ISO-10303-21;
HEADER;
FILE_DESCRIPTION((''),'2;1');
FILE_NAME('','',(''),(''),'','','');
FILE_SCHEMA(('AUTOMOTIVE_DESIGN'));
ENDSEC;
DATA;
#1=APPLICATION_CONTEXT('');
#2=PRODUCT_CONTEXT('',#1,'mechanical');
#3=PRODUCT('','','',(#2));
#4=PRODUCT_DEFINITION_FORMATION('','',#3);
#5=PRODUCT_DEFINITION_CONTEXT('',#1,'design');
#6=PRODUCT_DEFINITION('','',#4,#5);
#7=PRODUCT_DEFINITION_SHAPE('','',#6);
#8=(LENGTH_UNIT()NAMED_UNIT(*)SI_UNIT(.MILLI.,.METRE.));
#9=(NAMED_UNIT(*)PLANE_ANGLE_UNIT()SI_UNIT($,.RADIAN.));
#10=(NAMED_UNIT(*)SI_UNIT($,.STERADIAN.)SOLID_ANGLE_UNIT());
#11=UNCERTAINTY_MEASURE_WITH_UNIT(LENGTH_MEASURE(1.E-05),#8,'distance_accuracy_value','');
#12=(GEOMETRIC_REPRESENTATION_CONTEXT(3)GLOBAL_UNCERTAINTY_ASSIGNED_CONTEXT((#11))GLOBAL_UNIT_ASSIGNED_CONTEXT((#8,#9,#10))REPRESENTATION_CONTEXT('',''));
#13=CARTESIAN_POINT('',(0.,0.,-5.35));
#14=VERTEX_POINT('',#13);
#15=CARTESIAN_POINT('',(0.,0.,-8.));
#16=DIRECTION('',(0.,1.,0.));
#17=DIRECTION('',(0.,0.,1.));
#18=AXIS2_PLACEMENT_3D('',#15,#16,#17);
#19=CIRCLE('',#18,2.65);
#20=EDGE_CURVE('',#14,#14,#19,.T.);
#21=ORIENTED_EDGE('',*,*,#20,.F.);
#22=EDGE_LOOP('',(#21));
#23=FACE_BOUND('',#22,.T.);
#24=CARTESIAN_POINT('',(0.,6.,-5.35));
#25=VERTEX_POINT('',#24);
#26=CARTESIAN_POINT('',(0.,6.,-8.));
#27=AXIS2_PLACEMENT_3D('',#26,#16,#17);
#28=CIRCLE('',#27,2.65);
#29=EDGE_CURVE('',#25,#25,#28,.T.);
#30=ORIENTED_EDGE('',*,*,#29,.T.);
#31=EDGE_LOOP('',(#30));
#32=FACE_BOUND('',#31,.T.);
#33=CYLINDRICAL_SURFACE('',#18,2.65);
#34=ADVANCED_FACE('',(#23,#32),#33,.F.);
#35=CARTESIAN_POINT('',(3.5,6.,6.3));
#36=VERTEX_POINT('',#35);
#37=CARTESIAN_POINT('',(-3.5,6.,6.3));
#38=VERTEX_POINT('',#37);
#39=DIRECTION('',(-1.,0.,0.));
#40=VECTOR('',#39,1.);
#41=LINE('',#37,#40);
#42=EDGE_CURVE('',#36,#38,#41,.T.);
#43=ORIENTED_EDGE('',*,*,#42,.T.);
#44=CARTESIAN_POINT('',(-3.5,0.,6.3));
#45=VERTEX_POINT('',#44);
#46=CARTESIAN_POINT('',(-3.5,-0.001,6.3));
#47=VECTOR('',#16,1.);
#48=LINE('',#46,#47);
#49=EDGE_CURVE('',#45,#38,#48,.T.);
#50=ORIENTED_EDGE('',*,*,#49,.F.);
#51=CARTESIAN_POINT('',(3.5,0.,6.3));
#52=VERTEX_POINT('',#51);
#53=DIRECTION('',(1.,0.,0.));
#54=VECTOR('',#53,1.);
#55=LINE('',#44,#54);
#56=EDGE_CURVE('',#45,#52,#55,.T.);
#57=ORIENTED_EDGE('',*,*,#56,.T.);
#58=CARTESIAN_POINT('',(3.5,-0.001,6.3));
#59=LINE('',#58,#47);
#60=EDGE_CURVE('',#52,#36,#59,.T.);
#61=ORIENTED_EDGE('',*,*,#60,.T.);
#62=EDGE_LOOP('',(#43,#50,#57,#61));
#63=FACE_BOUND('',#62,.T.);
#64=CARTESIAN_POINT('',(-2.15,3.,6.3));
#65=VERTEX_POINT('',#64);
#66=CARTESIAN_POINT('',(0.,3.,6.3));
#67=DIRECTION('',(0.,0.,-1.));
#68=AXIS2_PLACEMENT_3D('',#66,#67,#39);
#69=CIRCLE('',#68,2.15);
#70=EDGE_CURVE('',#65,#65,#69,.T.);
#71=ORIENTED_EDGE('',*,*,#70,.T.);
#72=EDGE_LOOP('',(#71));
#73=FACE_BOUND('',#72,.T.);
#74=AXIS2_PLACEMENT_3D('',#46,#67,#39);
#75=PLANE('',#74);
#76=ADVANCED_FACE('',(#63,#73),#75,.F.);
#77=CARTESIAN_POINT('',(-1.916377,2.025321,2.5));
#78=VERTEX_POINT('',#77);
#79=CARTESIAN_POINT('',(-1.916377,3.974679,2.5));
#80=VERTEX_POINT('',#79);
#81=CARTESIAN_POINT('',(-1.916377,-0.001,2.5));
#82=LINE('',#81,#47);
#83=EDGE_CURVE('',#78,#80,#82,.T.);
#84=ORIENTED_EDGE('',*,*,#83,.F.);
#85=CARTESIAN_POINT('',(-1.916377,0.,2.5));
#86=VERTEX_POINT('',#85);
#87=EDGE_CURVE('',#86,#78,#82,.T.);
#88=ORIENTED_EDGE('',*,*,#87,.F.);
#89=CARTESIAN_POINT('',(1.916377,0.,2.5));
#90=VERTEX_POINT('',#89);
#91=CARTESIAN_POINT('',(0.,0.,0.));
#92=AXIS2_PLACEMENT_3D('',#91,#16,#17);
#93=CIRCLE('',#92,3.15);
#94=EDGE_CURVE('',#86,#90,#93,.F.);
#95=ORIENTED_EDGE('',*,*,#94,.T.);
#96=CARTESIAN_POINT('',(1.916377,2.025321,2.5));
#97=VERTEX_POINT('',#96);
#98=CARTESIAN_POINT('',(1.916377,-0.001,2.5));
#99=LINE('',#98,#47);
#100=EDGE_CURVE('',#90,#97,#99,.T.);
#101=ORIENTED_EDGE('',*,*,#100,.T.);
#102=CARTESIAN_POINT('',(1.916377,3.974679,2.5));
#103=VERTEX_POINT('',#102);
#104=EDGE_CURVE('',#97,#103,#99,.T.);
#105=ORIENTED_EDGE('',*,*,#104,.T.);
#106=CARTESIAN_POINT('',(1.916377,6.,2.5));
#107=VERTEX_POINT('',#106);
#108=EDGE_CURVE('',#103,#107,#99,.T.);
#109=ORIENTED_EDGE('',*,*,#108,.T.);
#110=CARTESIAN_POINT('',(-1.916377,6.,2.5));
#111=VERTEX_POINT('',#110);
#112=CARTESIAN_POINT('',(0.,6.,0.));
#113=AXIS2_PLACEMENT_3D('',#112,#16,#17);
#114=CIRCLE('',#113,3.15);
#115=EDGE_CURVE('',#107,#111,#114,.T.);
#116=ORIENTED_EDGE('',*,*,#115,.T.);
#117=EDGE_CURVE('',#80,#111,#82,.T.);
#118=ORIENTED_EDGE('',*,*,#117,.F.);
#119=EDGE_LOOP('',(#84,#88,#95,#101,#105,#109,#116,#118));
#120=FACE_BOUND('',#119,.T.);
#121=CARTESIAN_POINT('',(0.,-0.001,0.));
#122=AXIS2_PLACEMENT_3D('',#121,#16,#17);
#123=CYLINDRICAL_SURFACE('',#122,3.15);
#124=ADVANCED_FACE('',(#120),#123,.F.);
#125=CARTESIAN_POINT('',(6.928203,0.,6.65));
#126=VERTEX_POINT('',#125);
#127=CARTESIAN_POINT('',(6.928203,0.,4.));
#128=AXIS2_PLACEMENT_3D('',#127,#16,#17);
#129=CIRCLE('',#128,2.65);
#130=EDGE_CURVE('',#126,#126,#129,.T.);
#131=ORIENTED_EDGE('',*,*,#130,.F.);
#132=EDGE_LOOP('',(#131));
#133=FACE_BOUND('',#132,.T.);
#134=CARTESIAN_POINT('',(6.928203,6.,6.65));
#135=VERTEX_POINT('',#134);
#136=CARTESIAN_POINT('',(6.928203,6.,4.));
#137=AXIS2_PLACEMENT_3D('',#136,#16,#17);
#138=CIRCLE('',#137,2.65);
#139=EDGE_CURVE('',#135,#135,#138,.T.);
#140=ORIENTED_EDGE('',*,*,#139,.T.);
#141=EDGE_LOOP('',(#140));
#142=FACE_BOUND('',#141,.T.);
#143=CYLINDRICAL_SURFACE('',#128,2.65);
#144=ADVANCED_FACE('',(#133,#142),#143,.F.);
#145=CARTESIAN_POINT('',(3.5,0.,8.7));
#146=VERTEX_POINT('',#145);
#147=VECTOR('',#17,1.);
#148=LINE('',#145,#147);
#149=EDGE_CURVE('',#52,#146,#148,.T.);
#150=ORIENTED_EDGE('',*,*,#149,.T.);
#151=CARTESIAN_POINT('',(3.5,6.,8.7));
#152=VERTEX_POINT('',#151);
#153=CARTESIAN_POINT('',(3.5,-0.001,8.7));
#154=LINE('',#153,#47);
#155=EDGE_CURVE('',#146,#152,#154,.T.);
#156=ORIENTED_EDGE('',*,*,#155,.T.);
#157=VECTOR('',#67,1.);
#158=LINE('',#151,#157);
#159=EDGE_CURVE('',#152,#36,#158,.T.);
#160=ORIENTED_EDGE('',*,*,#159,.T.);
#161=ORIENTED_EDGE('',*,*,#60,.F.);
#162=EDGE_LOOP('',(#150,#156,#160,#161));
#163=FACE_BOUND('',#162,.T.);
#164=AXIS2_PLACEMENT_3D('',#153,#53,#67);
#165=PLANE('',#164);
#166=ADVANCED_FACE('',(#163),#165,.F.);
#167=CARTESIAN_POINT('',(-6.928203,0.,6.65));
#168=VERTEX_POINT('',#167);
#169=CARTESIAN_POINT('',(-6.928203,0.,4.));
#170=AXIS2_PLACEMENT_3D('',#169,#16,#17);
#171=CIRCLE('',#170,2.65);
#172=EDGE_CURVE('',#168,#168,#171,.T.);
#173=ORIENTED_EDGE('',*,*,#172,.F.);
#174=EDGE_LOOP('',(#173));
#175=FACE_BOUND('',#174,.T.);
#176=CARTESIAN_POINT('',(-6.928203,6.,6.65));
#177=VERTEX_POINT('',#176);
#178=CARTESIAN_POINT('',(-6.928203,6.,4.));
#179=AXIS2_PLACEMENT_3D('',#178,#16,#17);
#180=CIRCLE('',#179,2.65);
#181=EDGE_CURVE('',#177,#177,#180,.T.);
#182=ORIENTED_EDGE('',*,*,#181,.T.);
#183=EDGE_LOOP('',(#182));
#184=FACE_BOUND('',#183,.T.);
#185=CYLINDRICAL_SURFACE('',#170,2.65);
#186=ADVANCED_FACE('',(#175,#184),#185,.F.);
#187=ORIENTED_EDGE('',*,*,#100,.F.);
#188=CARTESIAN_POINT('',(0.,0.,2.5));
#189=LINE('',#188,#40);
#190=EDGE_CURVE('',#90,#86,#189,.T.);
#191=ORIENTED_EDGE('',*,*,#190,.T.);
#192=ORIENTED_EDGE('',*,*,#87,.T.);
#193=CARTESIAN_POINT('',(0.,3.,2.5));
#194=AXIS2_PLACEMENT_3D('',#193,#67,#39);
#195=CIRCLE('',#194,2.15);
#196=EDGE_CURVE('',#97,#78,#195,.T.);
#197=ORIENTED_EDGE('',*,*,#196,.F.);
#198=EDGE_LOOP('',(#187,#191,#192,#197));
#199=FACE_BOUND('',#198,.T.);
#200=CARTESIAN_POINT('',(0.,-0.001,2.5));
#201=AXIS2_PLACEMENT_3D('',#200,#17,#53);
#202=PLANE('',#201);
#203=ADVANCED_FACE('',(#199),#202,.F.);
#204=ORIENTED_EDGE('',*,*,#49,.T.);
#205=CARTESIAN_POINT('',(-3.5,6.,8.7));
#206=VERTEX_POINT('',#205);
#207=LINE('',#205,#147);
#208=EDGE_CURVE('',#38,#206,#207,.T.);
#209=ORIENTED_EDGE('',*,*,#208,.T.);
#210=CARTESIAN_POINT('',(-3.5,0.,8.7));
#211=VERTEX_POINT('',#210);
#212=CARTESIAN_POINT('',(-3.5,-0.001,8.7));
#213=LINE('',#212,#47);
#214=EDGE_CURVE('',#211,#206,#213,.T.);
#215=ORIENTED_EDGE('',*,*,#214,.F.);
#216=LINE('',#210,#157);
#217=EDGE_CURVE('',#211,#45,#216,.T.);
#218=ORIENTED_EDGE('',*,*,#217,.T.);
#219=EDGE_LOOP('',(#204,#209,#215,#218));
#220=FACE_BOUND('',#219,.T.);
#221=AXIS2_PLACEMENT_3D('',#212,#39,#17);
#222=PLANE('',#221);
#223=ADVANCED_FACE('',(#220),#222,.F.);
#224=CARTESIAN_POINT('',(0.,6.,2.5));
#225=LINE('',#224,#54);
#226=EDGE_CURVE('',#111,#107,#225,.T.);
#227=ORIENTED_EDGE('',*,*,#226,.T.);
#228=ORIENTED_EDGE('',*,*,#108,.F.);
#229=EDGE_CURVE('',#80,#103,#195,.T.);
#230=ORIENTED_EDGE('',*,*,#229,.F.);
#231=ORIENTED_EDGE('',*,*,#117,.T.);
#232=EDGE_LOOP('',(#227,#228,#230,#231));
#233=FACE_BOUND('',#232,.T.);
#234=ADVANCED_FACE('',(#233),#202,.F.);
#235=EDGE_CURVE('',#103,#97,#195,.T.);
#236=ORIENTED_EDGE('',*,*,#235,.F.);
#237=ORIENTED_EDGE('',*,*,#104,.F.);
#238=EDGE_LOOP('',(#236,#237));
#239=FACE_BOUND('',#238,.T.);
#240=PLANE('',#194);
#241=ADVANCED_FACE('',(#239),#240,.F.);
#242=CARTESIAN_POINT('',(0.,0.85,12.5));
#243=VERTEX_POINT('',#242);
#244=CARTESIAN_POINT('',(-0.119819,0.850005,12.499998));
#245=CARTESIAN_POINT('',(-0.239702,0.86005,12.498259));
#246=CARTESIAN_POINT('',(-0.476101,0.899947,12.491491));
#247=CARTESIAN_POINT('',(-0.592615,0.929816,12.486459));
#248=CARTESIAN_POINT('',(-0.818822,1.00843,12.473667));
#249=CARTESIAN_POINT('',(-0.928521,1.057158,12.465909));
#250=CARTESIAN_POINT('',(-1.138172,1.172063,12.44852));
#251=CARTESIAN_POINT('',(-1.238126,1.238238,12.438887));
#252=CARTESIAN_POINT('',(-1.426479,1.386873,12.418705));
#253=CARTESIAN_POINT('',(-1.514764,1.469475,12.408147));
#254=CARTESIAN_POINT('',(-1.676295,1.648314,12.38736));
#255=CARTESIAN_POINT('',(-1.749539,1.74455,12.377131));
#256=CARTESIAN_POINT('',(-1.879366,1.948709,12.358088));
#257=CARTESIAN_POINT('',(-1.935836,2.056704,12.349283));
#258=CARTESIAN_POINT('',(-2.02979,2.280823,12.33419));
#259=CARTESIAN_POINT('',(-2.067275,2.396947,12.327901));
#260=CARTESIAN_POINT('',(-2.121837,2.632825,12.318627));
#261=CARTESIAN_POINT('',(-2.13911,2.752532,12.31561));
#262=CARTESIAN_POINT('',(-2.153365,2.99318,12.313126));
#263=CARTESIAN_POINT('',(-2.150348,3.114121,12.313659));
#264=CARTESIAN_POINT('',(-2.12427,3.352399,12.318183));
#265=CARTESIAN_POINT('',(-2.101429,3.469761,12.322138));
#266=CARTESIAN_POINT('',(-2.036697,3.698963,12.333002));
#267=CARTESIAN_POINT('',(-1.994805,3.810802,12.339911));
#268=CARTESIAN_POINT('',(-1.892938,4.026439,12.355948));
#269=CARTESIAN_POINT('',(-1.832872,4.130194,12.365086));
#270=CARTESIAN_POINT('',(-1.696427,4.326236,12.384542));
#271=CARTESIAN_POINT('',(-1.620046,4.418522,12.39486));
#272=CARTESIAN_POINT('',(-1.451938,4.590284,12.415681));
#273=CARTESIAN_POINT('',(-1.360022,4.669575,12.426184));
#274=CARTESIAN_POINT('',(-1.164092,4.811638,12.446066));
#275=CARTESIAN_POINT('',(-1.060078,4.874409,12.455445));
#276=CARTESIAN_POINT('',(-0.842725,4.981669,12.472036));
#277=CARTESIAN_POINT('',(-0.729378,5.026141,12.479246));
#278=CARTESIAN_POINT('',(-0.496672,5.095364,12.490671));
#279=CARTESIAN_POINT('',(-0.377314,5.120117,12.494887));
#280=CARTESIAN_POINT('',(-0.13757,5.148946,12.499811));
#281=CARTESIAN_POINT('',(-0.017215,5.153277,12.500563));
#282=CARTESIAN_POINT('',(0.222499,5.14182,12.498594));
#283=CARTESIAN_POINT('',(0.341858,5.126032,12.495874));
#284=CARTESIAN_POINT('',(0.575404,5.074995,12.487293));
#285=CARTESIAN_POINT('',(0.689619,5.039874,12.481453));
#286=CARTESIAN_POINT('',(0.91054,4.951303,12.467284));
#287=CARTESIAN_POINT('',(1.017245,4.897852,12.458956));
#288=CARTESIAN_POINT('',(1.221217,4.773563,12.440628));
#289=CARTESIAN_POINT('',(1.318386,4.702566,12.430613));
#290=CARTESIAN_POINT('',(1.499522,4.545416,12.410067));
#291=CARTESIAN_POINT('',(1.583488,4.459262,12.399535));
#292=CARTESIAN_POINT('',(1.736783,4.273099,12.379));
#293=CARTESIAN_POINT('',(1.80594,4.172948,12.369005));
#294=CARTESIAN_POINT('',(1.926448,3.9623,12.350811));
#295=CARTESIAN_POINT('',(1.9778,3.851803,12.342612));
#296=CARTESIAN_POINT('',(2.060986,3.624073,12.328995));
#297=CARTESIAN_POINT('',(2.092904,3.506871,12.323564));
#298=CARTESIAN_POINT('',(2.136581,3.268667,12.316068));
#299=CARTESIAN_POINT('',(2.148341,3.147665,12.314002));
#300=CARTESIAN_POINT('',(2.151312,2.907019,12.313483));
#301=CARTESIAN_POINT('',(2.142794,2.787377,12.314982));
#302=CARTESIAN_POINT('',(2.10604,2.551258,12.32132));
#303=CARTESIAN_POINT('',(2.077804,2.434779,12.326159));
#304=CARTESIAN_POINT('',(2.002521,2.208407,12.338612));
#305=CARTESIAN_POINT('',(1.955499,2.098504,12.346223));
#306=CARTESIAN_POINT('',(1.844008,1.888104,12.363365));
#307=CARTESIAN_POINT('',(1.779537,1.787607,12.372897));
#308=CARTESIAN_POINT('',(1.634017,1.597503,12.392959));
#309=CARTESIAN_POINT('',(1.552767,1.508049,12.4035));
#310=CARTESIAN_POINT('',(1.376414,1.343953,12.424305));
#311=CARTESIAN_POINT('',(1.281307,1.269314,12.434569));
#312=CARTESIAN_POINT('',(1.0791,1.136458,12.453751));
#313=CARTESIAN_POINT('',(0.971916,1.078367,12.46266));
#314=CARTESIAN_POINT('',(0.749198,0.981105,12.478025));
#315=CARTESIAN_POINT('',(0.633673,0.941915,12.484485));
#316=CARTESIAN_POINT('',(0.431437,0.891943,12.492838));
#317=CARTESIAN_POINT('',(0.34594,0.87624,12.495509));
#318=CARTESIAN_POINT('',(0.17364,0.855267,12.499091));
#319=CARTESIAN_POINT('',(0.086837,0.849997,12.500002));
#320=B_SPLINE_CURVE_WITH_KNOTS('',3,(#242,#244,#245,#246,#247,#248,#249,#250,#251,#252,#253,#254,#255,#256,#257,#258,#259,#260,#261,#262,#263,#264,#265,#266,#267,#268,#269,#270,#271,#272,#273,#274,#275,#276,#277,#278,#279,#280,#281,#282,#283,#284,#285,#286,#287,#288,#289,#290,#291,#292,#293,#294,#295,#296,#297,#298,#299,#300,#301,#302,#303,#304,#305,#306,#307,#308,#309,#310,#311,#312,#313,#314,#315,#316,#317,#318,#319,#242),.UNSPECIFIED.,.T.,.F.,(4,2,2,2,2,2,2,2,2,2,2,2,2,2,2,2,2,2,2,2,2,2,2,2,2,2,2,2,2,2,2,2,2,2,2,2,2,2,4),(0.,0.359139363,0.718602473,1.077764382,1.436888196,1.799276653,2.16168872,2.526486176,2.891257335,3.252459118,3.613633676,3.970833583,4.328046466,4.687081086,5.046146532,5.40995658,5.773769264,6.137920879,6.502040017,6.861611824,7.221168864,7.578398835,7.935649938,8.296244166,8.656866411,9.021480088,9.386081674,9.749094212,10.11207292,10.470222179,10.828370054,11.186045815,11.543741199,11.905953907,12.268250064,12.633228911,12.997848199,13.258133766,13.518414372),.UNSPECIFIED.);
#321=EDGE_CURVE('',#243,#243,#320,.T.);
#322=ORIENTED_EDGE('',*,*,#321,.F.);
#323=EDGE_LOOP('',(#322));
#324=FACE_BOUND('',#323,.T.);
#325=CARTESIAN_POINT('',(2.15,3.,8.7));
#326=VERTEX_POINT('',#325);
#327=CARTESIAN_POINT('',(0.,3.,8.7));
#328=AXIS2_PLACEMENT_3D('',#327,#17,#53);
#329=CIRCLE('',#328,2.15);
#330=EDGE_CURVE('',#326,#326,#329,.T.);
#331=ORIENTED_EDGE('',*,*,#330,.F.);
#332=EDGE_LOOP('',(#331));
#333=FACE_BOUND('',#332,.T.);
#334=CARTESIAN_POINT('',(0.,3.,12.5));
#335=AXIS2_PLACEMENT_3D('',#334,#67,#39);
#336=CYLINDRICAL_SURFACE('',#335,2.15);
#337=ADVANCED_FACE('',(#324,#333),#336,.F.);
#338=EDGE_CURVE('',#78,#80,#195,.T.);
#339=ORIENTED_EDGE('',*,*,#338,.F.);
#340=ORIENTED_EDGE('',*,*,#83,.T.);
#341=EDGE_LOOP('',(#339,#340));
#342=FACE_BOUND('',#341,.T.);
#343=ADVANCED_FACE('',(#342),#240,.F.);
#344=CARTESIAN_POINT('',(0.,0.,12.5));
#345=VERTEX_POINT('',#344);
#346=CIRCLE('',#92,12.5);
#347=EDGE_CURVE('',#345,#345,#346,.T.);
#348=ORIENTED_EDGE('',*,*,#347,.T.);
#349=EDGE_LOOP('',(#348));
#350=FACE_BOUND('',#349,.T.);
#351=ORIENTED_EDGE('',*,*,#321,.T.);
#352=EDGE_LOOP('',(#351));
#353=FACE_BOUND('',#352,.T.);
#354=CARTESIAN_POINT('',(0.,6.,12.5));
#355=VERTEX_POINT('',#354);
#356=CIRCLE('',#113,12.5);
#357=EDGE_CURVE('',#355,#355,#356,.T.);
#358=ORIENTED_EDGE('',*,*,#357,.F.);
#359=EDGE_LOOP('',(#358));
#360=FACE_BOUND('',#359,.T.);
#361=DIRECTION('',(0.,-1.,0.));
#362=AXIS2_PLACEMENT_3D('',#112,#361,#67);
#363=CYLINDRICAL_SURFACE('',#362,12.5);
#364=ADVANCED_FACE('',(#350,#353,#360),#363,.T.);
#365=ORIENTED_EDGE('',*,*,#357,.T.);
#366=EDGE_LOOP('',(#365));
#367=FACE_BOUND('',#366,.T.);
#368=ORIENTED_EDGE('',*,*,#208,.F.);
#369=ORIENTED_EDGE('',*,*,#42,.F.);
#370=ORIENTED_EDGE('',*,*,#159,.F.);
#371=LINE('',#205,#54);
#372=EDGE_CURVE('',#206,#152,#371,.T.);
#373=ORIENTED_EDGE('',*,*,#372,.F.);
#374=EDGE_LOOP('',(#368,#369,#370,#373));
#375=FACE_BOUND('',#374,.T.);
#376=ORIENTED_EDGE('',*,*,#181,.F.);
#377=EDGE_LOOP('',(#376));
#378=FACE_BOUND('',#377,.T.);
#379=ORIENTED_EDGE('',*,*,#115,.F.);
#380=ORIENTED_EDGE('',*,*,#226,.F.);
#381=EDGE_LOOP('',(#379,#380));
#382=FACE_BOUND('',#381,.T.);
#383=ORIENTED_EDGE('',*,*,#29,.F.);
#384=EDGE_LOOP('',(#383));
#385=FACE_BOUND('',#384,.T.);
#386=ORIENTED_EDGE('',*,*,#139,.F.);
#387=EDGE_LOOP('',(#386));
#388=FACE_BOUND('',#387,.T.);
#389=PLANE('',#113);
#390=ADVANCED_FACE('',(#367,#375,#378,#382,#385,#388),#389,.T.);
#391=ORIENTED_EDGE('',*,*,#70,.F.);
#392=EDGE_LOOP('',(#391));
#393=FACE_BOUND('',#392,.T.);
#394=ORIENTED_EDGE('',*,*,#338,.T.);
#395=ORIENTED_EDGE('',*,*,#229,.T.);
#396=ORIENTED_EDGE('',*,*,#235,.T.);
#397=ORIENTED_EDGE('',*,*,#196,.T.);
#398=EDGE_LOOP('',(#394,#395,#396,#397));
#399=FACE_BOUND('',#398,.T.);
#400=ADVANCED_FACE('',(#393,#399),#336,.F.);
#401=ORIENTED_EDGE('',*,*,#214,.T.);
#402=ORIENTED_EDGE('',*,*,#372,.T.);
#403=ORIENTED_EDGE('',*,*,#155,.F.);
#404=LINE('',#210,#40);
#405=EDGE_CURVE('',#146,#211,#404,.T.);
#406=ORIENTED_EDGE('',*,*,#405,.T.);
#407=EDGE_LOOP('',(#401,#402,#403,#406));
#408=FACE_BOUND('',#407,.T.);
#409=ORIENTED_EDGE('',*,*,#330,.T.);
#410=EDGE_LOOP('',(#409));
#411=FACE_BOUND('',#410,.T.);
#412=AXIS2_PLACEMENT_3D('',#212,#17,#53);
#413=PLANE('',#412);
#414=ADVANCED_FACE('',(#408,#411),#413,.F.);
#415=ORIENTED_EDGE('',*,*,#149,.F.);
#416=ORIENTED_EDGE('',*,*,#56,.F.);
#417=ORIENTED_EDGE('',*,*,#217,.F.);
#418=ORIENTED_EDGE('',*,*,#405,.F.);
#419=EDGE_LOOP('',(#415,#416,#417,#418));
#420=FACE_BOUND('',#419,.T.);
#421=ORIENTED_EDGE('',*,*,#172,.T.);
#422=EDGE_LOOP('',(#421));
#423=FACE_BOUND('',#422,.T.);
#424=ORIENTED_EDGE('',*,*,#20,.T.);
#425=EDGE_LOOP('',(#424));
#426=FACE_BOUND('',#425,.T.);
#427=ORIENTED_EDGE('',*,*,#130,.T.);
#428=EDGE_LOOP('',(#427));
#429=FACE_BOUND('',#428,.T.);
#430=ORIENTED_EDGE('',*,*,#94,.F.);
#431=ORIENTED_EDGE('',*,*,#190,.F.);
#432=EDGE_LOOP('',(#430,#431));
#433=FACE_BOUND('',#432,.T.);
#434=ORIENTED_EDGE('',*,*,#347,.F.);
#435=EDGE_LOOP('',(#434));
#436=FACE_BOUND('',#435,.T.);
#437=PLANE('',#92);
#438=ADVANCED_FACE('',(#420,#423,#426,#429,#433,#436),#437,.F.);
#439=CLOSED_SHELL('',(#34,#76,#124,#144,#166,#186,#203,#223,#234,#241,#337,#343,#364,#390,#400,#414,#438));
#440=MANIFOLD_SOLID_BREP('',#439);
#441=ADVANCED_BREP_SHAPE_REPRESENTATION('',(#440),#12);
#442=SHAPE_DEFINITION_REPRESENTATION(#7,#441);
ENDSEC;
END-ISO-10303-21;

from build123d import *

# Parameters (mm, degrees)
SKETCH1_R           = 12.5
BOSS_EXTRUDE1_DEPTH = 6
CUT_EXTRUDE1_REACH  = 20.668
CUT_EXTRUDE2_REACH  = 20.668
SKETCH3_W           = 7
SKETCH3_H           = 2.4
SKETCH4_R           = 2.15
CUT_EXTRUDE3_DEPTH  = 21.426698216
SKETCH5_R           = 2.65
CUT_EXTRUDE4_DEPTH  = 19.668154869


with BuildPart() as part:
    # Sketch1 → Boss-Extrude1 (new body)
    with BuildSketch(Plane(origin=(0, 0, 0), x_dir=(1, 0, 0), z_dir=(0, 1, 0))):
        with Locations(Location((0, 0, 0), (0, 0, 270))):
            Circle(SKETCH1_R)
    extrude(amount=BOSS_EXTRUDE1_DEPTH)

    # Sketch2 → Cut-Extrude1 (cut, up to next)
    with BuildSketch(Plane(origin=(0, 6, 0), x_dir=(1, 0, 0), z_dir=(0, 1, 0)), mode=Mode.PRIVATE) as cut_extrude1_sk1:
        with BuildLine():
            ThreePointArc((0, 3.15), (-2.98307727, 1.011805317), (-1.91637679, -2.5))
            Line((-1.91637679, -2.5), (0, -2.5))
            Line((0, -2.5), (0, 3.15))
        make_face()
    cut_extrude1_tool1 = extrude(cut_extrude1_sk1.sketch, amount=-CUT_EXTRUDE1_REACH, mode=Mode.PRIVATE) & part.part
    # Sketch2 → Cut-Extrude1 (cut, up to next)
    with BuildSketch(Plane(origin=(0, 6, 0), x_dir=(1, 0, 0), z_dir=(0, 1, 0)), mode=Mode.PRIVATE) as cut_extrude1_sk2:
        with BuildLine():
            Line((0, 3.15), (0, -2.5))
            Line((0, -2.5), (1.91637679, -2.5))
            ThreePointArc((1.91637679, -2.5), (2.824808568, -1.393899766), (3.15, 0))
            ThreePointArc((3.15, 0), (2.227386361, 2.227386361), (0, 3.15))
        make_face()
    cut_extrude1_tool2 = extrude(cut_extrude1_sk2.sketch, amount=-CUT_EXTRUDE1_REACH, mode=Mode.PRIVATE) & part.part
    # Sketch2 → Cut-Extrude1 (cut, up to next)
    with BuildSketch(Plane(origin=(0, 6, 0), x_dir=(1, 0, 0), z_dir=(0, 1, 0)), mode=Mode.PRIVATE) as cut_extrude1_sk3:
        with BuildLine():
            ThreePointArc((0, 3.15), (-2.98307727, 1.011805317), (-1.91637679, -2.5))
            Line((-1.91637679, -2.5), (0, -2.5))
            Line((0, -2.5), (0, 3.15))
        make_face()
    cut_extrude1_tool3 = extrude(cut_extrude1_sk3.sketch, amount=-CUT_EXTRUDE1_REACH, mode=Mode.PRIVATE) & part.part
    # Sketch2 → Cut-Extrude1 (cut, up to next)
    with BuildSketch(Plane(origin=(0, 6, 0), x_dir=(1, 0, 0), z_dir=(0, 1, 0)), mode=Mode.PRIVATE) as cut_extrude1_sk4:
        with BuildLine():
            Line((0, 3.15), (0, -2.5))
            Line((0, -2.5), (1.91637679, -2.5))
            ThreePointArc((1.91637679, -2.5), (2.824808568, -1.393899766), (3.15, 0))
            ThreePointArc((3.15, 0), (2.227386361, 2.227386361), (0, 3.15))
        make_face()
    cut_extrude1_tool4 = extrude(cut_extrude1_sk4.sketch, amount=-CUT_EXTRUDE1_REACH, mode=Mode.PRIVATE) & part.part
    add(cut_extrude1_tool1.solids().sort_by_distance((-1.371893, 6, -0.159189))[0], mode=Mode.SUBTRACT)
    add(cut_extrude1_tool2.solids().sort_by_distance((1.371893, 6, -0.159189))[0], mode=Mode.SUBTRACT)
    add(cut_extrude1_tool3.solids().sort_by_distance((-1.371893, 6, -0.159189))[0], mode=Mode.SUBTRACT)
    add(cut_extrude1_tool4.solids().sort_by_distance((1.371893, 6, -0.159189))[0], mode=Mode.SUBTRACT)

    # Sketch3 → Cut-Extrude2 (cut, up to next)
    with BuildSketch(Plane(origin=(0, 6, 0), x_dir=(1, 0, 0), z_dir=(0, 1, 0)), mode=Mode.PRIVATE) as cut_extrude2_sk1:
        with Locations((0, -7.5)):
            Rectangle(SKETCH3_W, SKETCH3_H)
    cut_extrude2_tool1 = extrude(cut_extrude2_sk1.sketch, amount=-CUT_EXTRUDE2_REACH, mode=Mode.PRIVATE) & part.part
    add(cut_extrude2_tool1.solids().sort_by_distance((0, 6, 7.5))[0], mode=Mode.SUBTRACT)

    # Sketch4 → Cut-Extrude3 (cut, through all)
    with BuildSketch(Plane(origin=(0, 0, 2.5), x_dir=(-1, 0, 0), z_dir=(0, 0, -1))):
        with Locations((0, 3)):
            Circle(SKETCH4_R)
    extrude(amount=-CUT_EXTRUDE3_DEPTH, mode=Mode.SUBTRACT)

    # Sketch5 → Cut-Extrude4 (cut, through all)
    with BuildSketch(Plane(origin=(0, 6, 0), x_dir=(1, 0, 0), z_dir=(0, 1, 0))):
        with Locations(Location((0, 8, 0), (0, 0, 270))):
            Circle(SKETCH5_R)
        with Locations(Location((6.92820323, -4, 0), (0, 0, 270))):
            Circle(SKETCH5_R)
        with Locations(Location((-6.92820323, -4, 0), (0, 0, 270))):
            Circle(SKETCH5_R)
    extrude(amount=-CUT_EXTRUDE4_DEPTH, mode=Mode.SUBTRACT)


solid = part.part
